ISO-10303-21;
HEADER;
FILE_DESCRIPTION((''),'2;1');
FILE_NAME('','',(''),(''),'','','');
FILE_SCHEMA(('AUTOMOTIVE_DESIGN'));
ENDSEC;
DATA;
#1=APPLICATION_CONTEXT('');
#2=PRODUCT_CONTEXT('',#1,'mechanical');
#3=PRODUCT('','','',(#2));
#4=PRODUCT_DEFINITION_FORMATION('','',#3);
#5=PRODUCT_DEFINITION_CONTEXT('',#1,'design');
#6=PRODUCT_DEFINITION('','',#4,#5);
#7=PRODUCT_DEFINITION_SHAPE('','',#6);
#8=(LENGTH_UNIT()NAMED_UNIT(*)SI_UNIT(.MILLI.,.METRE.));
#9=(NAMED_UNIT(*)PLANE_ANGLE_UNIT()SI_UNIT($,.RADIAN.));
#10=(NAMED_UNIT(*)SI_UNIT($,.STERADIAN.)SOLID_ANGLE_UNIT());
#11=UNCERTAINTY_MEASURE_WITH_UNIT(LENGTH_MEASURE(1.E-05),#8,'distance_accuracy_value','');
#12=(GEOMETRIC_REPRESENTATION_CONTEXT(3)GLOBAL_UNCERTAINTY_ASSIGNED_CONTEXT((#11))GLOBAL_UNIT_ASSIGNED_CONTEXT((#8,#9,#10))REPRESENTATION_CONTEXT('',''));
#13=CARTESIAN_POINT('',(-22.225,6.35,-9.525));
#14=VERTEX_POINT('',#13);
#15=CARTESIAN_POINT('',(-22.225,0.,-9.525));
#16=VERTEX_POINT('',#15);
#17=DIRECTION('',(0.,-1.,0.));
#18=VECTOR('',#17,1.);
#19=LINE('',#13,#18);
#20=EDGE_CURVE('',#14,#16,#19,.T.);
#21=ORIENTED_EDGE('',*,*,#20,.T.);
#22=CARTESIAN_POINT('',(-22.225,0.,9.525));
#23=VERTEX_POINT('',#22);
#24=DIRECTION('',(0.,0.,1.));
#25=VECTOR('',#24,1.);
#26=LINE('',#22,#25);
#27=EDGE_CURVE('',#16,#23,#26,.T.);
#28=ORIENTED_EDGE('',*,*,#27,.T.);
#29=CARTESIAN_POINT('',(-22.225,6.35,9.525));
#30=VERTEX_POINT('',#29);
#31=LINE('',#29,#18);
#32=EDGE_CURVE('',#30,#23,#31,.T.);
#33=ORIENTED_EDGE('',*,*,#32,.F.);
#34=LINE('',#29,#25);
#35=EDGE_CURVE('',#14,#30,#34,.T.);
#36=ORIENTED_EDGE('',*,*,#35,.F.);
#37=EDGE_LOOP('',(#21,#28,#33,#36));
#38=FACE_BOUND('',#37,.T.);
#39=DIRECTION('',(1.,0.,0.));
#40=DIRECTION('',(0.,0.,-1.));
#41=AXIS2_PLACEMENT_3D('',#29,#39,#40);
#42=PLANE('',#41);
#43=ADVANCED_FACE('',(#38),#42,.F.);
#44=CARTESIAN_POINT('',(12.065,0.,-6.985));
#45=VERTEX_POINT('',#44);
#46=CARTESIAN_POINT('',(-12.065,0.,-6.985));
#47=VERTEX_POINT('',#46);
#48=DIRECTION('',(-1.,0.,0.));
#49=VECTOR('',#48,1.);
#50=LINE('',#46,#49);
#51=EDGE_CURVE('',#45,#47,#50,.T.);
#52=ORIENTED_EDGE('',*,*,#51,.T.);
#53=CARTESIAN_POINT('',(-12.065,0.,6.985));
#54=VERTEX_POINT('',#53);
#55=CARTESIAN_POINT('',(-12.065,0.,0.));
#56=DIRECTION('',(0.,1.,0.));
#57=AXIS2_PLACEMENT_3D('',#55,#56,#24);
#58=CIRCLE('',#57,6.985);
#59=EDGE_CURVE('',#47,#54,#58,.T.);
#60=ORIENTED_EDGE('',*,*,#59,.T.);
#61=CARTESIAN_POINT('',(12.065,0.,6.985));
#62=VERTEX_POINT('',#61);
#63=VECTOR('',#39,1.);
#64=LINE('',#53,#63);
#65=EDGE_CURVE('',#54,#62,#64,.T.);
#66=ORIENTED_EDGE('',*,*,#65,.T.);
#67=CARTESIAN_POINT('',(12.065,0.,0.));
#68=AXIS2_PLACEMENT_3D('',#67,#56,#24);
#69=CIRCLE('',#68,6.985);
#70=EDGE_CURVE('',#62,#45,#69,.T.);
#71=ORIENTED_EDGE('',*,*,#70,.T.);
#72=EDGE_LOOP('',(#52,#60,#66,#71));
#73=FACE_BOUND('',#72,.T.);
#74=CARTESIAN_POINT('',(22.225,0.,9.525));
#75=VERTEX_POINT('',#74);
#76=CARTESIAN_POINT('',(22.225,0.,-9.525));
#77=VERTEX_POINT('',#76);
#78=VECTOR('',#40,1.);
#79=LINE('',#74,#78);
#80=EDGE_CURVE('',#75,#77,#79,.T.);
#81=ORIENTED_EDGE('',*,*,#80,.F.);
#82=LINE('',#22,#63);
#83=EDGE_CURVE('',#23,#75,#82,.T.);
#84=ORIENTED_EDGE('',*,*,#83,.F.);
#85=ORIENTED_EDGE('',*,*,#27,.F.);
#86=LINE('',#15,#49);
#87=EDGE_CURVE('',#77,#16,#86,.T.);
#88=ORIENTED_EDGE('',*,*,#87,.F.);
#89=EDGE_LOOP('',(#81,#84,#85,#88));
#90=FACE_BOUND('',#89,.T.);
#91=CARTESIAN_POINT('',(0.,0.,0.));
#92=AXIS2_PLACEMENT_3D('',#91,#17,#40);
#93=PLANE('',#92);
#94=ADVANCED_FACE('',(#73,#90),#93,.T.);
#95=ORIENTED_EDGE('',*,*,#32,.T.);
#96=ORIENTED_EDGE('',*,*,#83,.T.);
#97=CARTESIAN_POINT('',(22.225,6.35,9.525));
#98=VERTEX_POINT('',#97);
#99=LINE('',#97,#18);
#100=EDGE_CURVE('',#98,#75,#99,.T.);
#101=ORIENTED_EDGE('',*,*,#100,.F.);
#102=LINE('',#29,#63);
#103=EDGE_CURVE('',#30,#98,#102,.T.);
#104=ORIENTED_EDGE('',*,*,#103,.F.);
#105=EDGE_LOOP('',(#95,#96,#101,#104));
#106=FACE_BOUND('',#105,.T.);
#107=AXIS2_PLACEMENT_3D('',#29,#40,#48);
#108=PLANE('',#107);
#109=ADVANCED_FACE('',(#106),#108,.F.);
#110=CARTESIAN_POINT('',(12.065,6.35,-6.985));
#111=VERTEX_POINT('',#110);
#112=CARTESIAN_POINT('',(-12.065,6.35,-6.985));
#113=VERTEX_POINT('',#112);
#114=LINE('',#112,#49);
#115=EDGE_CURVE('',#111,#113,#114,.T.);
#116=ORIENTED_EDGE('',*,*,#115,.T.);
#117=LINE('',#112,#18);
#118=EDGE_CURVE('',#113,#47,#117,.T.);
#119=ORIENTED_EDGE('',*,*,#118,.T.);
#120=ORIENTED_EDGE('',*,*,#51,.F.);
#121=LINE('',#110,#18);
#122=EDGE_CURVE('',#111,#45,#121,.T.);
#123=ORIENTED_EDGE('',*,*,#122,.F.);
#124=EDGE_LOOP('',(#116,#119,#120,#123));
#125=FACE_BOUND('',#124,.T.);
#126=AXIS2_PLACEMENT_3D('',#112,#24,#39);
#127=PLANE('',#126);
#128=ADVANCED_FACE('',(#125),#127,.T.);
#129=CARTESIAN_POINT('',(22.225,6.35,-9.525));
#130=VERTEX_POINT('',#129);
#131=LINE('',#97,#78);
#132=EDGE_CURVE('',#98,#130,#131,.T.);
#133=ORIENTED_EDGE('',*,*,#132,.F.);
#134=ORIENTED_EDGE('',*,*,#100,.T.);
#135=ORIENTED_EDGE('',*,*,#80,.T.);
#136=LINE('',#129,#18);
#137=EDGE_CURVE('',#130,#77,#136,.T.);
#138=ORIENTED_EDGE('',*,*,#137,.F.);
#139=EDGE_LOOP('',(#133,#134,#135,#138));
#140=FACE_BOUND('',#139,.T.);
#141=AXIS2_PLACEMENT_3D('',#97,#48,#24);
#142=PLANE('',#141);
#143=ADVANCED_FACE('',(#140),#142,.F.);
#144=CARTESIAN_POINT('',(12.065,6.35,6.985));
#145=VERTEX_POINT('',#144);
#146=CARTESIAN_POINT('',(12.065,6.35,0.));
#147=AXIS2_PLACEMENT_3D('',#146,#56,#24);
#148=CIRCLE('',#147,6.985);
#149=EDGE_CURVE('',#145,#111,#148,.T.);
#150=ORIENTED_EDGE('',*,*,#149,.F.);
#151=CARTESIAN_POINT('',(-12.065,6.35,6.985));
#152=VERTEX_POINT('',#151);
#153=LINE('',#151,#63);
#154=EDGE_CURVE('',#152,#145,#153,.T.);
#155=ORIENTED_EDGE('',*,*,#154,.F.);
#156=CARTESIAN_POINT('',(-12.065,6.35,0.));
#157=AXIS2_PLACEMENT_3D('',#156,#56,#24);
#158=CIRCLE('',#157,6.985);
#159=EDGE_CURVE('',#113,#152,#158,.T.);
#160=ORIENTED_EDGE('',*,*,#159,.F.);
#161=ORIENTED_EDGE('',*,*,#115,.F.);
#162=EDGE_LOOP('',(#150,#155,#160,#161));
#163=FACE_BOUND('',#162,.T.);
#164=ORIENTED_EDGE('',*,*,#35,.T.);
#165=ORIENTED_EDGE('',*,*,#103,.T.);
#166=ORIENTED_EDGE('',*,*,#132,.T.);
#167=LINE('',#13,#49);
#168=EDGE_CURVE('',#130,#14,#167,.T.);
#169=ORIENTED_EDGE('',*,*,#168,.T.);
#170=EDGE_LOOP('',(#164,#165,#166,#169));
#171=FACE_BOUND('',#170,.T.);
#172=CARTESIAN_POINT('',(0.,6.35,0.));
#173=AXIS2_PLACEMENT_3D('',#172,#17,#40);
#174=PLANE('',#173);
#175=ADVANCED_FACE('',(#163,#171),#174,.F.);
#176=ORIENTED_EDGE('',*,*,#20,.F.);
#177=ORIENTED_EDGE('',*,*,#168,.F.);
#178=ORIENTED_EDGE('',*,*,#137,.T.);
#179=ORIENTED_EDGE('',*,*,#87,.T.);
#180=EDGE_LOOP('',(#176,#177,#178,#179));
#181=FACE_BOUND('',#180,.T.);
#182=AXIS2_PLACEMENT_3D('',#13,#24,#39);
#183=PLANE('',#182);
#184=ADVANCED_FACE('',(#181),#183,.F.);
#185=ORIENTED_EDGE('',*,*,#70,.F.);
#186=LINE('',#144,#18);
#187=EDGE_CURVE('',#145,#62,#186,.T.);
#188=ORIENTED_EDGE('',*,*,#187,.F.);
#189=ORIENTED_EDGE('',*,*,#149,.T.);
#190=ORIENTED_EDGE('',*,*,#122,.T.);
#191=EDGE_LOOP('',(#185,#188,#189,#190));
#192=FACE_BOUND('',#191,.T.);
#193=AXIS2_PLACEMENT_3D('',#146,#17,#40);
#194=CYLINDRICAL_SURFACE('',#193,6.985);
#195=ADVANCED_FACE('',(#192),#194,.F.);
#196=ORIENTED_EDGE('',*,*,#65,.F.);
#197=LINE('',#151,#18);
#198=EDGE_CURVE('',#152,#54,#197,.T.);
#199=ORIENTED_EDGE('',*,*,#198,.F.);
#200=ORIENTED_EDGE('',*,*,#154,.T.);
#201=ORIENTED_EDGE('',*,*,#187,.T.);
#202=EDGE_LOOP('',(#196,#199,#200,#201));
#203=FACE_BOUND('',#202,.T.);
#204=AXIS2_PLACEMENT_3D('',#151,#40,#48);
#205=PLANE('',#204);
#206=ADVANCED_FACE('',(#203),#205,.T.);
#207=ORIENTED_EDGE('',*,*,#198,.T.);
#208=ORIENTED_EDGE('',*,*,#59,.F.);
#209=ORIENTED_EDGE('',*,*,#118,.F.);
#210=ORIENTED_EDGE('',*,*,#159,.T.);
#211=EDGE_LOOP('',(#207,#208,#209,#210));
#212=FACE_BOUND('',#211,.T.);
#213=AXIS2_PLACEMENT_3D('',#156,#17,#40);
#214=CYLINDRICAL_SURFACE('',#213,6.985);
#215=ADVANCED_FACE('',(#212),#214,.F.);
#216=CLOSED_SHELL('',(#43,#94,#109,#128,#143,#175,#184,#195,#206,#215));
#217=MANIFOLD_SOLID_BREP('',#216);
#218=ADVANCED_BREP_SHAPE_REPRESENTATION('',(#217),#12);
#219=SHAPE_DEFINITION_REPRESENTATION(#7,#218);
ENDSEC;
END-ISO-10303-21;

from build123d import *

# Parameters (mm, degrees)
SKETCH1_W           = 44.45
SKETCH1_H           = 19.05
BOSS_EXTRUDE1_DEPTH = 6.35


with BuildPart() as part:
    # Sketch1 → Boss-Extrude1 (new body)
    with BuildSketch(Plane(origin=(0, 0, 0), x_dir=(1, 0, 0), z_dir=(0, 1, 0))):
        Rectangle(SKETCH1_W, SKETCH1_H)
        with BuildLine():
            Line((-12.065, 6.985), (12.065, 6.985))
            ThreePointArc((12.065, 6.985), (19.05, 0), (12.065, -6.985))
            Line((12.065, -6.985), (-12.065, -6.985))
            ThreePointArc((-12.065, -6.985), (-19.05, 0), (-12.065, 6.985))
        make_face(mode=Mode.SUBTRACT)
    extrude(amount=BOSS_EXTRUDE1_DEPTH)


solid = part.part
